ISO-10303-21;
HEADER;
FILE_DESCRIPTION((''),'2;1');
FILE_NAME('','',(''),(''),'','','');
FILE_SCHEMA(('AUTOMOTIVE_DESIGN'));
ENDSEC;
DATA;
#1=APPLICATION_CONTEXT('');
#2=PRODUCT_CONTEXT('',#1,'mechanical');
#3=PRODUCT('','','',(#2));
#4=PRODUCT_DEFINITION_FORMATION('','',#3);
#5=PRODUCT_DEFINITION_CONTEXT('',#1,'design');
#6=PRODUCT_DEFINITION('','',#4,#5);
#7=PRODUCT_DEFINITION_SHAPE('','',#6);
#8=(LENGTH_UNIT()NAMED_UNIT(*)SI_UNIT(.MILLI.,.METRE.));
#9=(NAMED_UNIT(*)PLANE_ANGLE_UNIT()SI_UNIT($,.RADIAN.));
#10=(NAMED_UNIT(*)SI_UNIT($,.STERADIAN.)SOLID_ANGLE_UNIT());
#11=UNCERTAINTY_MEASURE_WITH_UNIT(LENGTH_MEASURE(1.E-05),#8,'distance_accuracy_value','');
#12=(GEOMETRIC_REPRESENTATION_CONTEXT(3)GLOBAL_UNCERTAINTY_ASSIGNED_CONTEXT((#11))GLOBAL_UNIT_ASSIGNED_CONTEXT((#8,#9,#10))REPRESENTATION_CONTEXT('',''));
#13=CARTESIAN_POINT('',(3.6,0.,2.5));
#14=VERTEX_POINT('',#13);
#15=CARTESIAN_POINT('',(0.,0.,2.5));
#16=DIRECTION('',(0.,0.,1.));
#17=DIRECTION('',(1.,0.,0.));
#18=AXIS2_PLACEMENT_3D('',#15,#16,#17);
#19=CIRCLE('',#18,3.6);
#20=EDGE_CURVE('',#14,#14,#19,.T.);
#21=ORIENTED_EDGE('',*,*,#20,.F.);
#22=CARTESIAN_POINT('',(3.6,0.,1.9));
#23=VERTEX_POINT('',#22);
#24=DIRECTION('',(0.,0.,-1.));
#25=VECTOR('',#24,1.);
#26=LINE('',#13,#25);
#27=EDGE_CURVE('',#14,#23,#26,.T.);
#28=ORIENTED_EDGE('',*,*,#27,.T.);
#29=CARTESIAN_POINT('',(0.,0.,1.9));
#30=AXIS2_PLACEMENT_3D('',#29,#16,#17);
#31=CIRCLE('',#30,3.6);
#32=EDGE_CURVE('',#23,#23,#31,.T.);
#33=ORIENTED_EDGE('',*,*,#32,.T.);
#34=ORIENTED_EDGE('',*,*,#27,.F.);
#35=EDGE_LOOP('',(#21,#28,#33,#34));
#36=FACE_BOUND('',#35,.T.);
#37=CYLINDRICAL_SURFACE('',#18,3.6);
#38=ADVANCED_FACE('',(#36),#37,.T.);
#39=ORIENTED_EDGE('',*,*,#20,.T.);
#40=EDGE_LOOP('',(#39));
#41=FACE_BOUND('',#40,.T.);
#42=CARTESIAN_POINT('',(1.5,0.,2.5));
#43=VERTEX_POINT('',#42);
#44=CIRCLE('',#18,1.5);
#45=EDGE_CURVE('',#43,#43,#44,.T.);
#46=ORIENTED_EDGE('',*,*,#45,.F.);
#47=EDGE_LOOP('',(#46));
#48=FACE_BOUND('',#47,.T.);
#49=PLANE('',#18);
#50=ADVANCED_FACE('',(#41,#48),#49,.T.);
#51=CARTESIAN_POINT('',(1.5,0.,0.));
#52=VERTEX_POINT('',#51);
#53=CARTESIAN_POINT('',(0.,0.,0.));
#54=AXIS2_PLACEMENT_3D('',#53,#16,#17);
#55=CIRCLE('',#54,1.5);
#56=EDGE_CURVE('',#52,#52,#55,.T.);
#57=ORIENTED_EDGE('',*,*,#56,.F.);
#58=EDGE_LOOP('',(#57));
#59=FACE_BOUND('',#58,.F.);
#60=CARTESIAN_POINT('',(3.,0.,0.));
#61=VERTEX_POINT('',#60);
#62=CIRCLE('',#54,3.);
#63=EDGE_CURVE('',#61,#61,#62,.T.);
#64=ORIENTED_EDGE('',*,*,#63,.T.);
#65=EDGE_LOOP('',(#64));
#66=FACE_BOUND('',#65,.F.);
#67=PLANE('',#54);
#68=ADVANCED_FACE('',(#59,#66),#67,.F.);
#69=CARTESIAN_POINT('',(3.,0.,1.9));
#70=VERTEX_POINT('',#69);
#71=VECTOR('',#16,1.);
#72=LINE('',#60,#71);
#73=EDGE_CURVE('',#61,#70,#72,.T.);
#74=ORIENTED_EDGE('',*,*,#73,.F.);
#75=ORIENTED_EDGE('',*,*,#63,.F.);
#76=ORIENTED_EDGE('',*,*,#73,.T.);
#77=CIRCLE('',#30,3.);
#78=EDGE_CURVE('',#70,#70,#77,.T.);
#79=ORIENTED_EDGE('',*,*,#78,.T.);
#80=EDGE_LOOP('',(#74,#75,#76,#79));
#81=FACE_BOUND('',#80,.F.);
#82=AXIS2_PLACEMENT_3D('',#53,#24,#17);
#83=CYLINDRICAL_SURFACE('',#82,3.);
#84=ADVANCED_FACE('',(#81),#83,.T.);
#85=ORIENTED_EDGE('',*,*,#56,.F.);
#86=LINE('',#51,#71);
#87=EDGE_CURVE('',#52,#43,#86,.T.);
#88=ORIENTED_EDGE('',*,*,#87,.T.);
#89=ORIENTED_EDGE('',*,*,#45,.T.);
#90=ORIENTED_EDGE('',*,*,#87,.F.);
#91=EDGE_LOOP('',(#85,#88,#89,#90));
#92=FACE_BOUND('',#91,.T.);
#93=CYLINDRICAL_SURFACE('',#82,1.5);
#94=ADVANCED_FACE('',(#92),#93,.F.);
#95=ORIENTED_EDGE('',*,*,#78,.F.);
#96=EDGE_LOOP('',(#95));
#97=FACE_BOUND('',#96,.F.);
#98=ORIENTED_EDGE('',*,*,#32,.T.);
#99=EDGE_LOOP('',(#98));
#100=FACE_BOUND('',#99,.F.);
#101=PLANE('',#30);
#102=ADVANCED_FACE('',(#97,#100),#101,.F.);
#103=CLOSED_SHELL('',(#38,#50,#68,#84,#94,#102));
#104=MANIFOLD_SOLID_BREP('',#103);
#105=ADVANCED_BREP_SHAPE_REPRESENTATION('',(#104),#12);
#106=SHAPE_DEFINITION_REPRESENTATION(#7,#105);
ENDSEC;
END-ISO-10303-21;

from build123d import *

# Parameters (mm, degrees)
SKETCH_R      = 3
SKETCH_R_2    = 1.5
PAD_DEPTH     = 2.5
SKETCH001_R   = 3.6
SKETCH001_R_2 = 3
PAD001_DEPTH  = 0.6


with BuildPart() as part:
    # Sketch → Pad (new body)
    with BuildSketch(Plane.XY):
        Circle(SKETCH_R)
        Circle(SKETCH_R_2, mode=Mode.SUBTRACT)
    extrude(amount=PAD_DEPTH)

    # Sketch001 (on Face4 of Pad) → Pad001 (join)
    with BuildSketch(Plane.XY.offset(2.5)):
        Circle(SKETCH001_R)
        Circle(SKETCH001_R_2, mode=Mode.SUBTRACT)
    extrude(amount=-PAD001_DEPTH)


solid = part.part
